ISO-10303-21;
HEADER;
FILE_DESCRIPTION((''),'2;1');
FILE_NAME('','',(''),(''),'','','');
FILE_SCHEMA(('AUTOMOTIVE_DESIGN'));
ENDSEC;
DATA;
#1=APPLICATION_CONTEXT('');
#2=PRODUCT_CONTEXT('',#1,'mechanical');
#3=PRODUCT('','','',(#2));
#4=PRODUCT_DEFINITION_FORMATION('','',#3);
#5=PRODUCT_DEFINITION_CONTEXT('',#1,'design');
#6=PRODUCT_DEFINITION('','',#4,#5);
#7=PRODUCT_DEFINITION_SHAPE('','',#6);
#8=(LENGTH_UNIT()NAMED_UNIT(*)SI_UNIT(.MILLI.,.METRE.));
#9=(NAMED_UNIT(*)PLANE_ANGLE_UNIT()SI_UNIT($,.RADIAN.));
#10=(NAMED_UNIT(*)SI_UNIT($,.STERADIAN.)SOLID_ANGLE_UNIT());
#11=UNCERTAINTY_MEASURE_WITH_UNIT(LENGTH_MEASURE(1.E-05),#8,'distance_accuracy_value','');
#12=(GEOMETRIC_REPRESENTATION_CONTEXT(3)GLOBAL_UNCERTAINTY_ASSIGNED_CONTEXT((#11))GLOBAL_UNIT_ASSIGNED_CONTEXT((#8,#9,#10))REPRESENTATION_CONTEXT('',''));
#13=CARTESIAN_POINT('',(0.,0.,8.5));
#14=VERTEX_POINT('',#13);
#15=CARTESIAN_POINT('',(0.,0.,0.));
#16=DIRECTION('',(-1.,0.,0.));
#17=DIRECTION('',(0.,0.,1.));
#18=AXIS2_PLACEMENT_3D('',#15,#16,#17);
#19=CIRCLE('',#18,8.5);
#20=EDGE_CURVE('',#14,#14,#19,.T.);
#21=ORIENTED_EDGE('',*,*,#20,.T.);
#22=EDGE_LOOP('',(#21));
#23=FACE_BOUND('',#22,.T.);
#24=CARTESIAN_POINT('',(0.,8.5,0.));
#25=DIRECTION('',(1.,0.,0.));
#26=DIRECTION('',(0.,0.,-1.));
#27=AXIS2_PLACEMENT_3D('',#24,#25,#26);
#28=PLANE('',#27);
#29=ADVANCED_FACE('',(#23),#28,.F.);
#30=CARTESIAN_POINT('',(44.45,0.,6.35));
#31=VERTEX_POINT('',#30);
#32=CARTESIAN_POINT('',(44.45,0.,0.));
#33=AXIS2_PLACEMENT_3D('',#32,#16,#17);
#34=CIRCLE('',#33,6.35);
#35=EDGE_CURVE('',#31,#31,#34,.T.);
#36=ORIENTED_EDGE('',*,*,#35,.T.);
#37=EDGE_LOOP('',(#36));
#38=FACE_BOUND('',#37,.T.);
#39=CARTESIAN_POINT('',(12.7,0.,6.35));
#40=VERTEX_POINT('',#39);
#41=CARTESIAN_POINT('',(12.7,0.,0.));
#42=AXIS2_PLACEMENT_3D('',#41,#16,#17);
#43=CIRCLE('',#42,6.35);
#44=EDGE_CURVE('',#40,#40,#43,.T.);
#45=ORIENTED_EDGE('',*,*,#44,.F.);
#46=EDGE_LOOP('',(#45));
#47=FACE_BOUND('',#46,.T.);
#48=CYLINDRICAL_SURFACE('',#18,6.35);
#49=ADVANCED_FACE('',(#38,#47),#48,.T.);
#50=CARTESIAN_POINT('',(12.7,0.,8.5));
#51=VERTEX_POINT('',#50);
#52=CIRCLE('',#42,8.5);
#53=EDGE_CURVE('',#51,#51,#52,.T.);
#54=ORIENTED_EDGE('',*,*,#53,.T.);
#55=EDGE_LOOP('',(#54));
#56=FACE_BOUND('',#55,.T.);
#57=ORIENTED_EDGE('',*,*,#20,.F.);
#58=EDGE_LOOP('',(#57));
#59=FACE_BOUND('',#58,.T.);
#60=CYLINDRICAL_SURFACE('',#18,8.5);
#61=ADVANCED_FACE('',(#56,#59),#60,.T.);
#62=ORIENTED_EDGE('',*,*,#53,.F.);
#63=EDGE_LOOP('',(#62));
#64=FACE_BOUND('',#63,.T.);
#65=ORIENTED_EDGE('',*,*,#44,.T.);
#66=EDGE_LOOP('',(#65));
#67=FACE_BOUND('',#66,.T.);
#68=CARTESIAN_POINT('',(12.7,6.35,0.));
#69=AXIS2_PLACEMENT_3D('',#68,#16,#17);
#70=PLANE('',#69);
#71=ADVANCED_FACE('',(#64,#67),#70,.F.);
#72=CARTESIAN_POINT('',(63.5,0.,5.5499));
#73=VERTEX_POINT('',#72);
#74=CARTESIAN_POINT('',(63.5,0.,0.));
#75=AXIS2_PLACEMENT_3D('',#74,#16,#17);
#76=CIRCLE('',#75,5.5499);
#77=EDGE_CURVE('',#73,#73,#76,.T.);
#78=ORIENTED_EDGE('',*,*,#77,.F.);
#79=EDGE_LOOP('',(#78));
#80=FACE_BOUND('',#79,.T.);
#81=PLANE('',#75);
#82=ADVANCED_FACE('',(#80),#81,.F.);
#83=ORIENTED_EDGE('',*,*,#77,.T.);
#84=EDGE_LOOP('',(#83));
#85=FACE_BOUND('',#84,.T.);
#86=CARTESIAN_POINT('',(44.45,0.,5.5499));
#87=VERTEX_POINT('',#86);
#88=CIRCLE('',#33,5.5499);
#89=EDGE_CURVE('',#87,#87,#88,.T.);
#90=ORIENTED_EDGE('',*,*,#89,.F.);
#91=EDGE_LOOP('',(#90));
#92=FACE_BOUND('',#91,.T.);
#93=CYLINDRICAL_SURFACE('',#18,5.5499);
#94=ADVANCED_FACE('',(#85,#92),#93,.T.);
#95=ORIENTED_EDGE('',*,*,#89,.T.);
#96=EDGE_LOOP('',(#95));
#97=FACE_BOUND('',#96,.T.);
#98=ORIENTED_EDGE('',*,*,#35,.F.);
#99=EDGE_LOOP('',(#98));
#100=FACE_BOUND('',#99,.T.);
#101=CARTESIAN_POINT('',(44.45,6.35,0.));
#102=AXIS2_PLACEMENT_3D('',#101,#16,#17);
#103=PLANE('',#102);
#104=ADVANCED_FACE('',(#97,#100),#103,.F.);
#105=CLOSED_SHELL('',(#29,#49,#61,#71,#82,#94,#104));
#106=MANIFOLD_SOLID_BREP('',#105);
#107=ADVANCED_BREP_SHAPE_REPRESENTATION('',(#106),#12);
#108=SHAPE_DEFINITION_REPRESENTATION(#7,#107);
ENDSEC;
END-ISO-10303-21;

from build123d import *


with BuildPart() as part:
    # Sketch1 → Revolve1 (revolve)
    with BuildSketch(Plane.XY):
        Polygon((0, 0), (63.5, 0), (63.5, 5.5499), (44.45, 5.5499), (44.45, 6.35), (12.7, 6.35), (12.7, 8.500000018), (0, 8.500000018), align=None)
    revolve(axis=Axis((0, 0, 0), (1, 0, 0)))


solid = part.part
